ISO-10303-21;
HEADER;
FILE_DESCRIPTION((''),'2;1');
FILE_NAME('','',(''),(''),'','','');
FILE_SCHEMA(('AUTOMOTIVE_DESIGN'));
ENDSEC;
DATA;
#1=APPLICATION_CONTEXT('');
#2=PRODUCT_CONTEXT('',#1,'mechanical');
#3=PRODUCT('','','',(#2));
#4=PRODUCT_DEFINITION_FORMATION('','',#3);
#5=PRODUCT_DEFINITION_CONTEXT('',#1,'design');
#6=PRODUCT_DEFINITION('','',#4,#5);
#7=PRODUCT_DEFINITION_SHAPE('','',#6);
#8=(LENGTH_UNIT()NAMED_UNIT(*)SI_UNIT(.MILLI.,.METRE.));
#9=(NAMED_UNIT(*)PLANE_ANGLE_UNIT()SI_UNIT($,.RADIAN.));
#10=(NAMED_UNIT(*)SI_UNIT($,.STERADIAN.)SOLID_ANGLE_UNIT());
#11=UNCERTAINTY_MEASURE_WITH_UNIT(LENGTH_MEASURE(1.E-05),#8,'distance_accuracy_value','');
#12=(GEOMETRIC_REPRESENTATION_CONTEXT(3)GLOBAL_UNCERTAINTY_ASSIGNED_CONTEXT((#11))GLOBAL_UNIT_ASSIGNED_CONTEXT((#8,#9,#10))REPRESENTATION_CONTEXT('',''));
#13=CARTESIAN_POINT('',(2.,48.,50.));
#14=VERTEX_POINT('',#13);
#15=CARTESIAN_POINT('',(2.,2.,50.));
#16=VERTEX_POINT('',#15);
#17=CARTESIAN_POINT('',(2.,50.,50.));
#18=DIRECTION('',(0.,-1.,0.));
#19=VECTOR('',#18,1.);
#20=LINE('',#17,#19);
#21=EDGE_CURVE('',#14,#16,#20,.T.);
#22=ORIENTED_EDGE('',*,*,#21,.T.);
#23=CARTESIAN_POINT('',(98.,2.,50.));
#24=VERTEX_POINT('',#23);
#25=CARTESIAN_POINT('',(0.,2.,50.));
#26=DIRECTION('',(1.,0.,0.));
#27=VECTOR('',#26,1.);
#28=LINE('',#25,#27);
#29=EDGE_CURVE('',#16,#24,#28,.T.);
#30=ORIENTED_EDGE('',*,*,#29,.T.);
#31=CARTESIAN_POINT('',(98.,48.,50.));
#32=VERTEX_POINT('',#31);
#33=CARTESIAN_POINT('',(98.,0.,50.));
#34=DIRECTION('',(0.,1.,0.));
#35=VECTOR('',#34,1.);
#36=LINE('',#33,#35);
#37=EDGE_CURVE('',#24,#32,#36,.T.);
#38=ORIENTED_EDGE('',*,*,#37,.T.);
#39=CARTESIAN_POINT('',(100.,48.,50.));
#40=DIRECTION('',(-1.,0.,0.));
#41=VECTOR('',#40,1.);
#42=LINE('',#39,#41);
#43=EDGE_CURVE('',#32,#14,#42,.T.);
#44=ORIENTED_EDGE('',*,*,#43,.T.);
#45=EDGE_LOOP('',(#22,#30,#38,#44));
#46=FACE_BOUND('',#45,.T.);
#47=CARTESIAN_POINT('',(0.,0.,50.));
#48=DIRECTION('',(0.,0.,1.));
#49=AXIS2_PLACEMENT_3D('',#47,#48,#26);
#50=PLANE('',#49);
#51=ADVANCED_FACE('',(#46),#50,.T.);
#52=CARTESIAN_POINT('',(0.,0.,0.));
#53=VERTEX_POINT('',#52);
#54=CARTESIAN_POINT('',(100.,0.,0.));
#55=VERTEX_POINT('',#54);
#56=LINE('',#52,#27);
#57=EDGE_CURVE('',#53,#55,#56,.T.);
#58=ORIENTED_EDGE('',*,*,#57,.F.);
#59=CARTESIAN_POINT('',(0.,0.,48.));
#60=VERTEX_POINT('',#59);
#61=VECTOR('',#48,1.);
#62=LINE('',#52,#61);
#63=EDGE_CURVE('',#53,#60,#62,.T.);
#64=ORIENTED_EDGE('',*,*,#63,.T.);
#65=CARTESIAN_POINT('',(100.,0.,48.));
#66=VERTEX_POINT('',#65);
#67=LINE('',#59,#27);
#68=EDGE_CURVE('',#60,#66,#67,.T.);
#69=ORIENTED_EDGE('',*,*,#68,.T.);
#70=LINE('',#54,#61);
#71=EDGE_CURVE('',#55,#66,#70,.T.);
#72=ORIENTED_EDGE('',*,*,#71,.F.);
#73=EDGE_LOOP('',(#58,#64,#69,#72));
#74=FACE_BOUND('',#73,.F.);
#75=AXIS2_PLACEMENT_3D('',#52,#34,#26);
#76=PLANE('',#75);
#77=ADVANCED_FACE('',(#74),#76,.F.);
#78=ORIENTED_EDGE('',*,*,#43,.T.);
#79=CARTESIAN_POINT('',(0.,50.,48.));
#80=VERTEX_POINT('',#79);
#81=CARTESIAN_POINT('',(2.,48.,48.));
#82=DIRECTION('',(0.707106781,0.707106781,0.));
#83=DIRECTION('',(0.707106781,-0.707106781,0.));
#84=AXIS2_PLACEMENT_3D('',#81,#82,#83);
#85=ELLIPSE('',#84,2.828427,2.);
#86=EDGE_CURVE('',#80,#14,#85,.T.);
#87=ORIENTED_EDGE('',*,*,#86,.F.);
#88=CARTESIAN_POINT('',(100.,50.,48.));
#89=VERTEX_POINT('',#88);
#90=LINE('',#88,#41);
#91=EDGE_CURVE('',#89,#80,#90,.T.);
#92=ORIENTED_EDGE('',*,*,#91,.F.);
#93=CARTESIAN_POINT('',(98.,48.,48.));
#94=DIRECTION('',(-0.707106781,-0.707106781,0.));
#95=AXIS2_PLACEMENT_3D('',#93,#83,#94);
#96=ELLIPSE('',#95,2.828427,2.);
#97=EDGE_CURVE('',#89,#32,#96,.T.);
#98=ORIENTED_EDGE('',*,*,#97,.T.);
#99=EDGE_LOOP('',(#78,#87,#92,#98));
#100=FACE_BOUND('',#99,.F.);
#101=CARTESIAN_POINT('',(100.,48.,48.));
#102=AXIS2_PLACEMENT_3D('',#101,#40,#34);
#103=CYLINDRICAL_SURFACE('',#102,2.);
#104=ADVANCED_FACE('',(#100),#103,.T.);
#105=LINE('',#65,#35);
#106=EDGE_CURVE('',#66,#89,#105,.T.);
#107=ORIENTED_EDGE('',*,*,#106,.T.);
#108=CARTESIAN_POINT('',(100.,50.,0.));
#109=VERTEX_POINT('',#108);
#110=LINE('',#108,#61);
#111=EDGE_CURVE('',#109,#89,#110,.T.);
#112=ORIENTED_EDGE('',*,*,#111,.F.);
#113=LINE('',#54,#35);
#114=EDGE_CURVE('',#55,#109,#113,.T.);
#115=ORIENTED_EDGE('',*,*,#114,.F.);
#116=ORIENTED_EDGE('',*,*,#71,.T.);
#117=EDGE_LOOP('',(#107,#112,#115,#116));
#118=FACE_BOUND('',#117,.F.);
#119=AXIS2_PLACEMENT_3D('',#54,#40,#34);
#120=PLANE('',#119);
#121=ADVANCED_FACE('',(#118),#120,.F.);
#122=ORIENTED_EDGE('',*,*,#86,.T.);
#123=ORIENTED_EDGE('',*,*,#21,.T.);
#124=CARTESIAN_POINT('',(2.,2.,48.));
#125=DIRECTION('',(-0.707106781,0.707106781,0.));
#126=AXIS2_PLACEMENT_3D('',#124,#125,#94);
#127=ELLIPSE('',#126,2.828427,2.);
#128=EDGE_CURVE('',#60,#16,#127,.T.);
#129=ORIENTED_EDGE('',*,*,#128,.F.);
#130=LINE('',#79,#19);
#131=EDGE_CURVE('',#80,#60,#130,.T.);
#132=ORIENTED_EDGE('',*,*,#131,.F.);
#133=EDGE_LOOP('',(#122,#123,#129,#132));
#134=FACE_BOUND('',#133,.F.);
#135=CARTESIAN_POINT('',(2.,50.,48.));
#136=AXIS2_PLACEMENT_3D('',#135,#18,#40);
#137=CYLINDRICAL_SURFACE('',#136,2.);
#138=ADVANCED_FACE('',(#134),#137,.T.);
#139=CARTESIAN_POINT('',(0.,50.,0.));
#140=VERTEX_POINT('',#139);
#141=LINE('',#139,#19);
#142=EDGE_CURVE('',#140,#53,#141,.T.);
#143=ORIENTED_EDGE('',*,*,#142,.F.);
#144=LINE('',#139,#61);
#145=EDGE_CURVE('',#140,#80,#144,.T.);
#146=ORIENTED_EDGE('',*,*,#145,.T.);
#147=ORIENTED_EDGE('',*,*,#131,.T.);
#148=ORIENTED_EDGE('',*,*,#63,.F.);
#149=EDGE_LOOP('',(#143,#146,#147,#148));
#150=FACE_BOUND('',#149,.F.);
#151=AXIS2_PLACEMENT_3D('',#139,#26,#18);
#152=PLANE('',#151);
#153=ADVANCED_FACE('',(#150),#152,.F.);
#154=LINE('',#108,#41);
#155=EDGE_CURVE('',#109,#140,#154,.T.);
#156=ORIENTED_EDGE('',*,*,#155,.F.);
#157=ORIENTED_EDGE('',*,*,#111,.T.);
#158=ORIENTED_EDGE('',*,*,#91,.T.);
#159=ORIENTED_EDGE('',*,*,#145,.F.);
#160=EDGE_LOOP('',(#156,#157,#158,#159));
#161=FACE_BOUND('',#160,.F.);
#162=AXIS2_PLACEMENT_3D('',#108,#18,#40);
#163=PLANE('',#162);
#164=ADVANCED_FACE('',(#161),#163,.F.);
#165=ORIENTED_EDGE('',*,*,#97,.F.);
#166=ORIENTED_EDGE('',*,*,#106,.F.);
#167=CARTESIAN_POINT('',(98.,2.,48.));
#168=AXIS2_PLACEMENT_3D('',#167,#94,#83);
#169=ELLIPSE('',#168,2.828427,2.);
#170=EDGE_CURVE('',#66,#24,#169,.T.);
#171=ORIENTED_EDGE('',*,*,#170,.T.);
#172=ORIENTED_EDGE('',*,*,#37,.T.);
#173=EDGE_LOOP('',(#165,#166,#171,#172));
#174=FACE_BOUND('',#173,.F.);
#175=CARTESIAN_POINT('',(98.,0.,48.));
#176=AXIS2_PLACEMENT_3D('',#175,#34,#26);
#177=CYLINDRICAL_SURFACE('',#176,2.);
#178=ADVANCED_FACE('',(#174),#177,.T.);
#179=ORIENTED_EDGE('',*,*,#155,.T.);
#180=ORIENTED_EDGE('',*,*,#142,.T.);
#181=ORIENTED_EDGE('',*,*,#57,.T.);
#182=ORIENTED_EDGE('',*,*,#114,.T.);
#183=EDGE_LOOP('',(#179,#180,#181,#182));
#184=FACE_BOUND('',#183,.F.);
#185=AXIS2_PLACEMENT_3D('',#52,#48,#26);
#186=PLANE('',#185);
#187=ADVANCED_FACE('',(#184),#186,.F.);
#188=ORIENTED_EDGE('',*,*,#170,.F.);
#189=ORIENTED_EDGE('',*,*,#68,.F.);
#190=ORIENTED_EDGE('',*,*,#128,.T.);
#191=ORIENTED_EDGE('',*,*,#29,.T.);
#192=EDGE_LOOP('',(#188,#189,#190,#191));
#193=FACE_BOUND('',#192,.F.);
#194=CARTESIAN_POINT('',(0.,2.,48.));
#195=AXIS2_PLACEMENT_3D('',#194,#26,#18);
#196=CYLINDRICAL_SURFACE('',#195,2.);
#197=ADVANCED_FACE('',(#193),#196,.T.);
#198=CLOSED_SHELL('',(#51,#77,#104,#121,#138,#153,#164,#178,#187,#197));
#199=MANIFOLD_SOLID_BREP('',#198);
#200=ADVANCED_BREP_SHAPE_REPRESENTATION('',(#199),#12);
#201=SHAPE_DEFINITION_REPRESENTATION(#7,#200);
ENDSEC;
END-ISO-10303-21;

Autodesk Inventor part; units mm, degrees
ref_plane "YZ Plane" through (0, 0, 0) normal (1, 0, 0) x (0, 1, 0)
ref_plane "XZ Plane" through (0, 0, 0) normal (0, 1, 0) x (-1, 0, 0)
ref_plane "XY Plane" through (0, 0, 0) normal (0, 0, 1) x (1, 0, 0)
sketch "Sketch1" plane through (0, 0, 0) normal (0, 0, 1) x (1, 0, 0)
  point P0 (0, 0)
sketch "Sketch2" plane through (0, 0, 0) normal (0, 0, 1) x (1, 0, 0)
  line L0 (0, 0) -> (100, 0)
  line L1 (100, 0) -> (100, 50)
  line L2 (100, 50) -> (0, 50)
  line L3 (0, 50) -> (0, 0)
  dimension "d0" = 100
  dimension "d1" = 50
extrude "Extrusion1" add sketch "Sketch2" along normal blind 50
sketch "Sketch3" plane through (0, 0, 50) normal (0, 0, 1) x (1, 0, 0)
  line L0 (55.2555, 31.9048) -> (75.8524, 31.9048) construction
  line L1 (75.8524, 31.9048) -> (75.8524, 16.4463) construction
  line L2 (75.8524, 16.4463) -> (55.2555, 16.4463) construction
  line L3 (55.2555, 16.4463) -> (55.2555, 31.9048) construction
  line L4 (14.2136, 34.7413) -> (46.5855, 34.7413) construction
  line L5 (46.5855, 34.7413) -> (46.5855, 13.7217) construction
  line L6 (46.5855, 13.7217) -> (14.2136, 13.7217) construction
  line L7 (14.2136, 13.7217) -> (14.2136, 34.7413) construction
  point P0 (0, 0)
fillet "Fillet2" radius 2 4 edges at (0, 25, 50) (50, 50, 50) (50, 0, 50) (100, 25, 50)
properties part number "caja" material "Steel, Wrought"
